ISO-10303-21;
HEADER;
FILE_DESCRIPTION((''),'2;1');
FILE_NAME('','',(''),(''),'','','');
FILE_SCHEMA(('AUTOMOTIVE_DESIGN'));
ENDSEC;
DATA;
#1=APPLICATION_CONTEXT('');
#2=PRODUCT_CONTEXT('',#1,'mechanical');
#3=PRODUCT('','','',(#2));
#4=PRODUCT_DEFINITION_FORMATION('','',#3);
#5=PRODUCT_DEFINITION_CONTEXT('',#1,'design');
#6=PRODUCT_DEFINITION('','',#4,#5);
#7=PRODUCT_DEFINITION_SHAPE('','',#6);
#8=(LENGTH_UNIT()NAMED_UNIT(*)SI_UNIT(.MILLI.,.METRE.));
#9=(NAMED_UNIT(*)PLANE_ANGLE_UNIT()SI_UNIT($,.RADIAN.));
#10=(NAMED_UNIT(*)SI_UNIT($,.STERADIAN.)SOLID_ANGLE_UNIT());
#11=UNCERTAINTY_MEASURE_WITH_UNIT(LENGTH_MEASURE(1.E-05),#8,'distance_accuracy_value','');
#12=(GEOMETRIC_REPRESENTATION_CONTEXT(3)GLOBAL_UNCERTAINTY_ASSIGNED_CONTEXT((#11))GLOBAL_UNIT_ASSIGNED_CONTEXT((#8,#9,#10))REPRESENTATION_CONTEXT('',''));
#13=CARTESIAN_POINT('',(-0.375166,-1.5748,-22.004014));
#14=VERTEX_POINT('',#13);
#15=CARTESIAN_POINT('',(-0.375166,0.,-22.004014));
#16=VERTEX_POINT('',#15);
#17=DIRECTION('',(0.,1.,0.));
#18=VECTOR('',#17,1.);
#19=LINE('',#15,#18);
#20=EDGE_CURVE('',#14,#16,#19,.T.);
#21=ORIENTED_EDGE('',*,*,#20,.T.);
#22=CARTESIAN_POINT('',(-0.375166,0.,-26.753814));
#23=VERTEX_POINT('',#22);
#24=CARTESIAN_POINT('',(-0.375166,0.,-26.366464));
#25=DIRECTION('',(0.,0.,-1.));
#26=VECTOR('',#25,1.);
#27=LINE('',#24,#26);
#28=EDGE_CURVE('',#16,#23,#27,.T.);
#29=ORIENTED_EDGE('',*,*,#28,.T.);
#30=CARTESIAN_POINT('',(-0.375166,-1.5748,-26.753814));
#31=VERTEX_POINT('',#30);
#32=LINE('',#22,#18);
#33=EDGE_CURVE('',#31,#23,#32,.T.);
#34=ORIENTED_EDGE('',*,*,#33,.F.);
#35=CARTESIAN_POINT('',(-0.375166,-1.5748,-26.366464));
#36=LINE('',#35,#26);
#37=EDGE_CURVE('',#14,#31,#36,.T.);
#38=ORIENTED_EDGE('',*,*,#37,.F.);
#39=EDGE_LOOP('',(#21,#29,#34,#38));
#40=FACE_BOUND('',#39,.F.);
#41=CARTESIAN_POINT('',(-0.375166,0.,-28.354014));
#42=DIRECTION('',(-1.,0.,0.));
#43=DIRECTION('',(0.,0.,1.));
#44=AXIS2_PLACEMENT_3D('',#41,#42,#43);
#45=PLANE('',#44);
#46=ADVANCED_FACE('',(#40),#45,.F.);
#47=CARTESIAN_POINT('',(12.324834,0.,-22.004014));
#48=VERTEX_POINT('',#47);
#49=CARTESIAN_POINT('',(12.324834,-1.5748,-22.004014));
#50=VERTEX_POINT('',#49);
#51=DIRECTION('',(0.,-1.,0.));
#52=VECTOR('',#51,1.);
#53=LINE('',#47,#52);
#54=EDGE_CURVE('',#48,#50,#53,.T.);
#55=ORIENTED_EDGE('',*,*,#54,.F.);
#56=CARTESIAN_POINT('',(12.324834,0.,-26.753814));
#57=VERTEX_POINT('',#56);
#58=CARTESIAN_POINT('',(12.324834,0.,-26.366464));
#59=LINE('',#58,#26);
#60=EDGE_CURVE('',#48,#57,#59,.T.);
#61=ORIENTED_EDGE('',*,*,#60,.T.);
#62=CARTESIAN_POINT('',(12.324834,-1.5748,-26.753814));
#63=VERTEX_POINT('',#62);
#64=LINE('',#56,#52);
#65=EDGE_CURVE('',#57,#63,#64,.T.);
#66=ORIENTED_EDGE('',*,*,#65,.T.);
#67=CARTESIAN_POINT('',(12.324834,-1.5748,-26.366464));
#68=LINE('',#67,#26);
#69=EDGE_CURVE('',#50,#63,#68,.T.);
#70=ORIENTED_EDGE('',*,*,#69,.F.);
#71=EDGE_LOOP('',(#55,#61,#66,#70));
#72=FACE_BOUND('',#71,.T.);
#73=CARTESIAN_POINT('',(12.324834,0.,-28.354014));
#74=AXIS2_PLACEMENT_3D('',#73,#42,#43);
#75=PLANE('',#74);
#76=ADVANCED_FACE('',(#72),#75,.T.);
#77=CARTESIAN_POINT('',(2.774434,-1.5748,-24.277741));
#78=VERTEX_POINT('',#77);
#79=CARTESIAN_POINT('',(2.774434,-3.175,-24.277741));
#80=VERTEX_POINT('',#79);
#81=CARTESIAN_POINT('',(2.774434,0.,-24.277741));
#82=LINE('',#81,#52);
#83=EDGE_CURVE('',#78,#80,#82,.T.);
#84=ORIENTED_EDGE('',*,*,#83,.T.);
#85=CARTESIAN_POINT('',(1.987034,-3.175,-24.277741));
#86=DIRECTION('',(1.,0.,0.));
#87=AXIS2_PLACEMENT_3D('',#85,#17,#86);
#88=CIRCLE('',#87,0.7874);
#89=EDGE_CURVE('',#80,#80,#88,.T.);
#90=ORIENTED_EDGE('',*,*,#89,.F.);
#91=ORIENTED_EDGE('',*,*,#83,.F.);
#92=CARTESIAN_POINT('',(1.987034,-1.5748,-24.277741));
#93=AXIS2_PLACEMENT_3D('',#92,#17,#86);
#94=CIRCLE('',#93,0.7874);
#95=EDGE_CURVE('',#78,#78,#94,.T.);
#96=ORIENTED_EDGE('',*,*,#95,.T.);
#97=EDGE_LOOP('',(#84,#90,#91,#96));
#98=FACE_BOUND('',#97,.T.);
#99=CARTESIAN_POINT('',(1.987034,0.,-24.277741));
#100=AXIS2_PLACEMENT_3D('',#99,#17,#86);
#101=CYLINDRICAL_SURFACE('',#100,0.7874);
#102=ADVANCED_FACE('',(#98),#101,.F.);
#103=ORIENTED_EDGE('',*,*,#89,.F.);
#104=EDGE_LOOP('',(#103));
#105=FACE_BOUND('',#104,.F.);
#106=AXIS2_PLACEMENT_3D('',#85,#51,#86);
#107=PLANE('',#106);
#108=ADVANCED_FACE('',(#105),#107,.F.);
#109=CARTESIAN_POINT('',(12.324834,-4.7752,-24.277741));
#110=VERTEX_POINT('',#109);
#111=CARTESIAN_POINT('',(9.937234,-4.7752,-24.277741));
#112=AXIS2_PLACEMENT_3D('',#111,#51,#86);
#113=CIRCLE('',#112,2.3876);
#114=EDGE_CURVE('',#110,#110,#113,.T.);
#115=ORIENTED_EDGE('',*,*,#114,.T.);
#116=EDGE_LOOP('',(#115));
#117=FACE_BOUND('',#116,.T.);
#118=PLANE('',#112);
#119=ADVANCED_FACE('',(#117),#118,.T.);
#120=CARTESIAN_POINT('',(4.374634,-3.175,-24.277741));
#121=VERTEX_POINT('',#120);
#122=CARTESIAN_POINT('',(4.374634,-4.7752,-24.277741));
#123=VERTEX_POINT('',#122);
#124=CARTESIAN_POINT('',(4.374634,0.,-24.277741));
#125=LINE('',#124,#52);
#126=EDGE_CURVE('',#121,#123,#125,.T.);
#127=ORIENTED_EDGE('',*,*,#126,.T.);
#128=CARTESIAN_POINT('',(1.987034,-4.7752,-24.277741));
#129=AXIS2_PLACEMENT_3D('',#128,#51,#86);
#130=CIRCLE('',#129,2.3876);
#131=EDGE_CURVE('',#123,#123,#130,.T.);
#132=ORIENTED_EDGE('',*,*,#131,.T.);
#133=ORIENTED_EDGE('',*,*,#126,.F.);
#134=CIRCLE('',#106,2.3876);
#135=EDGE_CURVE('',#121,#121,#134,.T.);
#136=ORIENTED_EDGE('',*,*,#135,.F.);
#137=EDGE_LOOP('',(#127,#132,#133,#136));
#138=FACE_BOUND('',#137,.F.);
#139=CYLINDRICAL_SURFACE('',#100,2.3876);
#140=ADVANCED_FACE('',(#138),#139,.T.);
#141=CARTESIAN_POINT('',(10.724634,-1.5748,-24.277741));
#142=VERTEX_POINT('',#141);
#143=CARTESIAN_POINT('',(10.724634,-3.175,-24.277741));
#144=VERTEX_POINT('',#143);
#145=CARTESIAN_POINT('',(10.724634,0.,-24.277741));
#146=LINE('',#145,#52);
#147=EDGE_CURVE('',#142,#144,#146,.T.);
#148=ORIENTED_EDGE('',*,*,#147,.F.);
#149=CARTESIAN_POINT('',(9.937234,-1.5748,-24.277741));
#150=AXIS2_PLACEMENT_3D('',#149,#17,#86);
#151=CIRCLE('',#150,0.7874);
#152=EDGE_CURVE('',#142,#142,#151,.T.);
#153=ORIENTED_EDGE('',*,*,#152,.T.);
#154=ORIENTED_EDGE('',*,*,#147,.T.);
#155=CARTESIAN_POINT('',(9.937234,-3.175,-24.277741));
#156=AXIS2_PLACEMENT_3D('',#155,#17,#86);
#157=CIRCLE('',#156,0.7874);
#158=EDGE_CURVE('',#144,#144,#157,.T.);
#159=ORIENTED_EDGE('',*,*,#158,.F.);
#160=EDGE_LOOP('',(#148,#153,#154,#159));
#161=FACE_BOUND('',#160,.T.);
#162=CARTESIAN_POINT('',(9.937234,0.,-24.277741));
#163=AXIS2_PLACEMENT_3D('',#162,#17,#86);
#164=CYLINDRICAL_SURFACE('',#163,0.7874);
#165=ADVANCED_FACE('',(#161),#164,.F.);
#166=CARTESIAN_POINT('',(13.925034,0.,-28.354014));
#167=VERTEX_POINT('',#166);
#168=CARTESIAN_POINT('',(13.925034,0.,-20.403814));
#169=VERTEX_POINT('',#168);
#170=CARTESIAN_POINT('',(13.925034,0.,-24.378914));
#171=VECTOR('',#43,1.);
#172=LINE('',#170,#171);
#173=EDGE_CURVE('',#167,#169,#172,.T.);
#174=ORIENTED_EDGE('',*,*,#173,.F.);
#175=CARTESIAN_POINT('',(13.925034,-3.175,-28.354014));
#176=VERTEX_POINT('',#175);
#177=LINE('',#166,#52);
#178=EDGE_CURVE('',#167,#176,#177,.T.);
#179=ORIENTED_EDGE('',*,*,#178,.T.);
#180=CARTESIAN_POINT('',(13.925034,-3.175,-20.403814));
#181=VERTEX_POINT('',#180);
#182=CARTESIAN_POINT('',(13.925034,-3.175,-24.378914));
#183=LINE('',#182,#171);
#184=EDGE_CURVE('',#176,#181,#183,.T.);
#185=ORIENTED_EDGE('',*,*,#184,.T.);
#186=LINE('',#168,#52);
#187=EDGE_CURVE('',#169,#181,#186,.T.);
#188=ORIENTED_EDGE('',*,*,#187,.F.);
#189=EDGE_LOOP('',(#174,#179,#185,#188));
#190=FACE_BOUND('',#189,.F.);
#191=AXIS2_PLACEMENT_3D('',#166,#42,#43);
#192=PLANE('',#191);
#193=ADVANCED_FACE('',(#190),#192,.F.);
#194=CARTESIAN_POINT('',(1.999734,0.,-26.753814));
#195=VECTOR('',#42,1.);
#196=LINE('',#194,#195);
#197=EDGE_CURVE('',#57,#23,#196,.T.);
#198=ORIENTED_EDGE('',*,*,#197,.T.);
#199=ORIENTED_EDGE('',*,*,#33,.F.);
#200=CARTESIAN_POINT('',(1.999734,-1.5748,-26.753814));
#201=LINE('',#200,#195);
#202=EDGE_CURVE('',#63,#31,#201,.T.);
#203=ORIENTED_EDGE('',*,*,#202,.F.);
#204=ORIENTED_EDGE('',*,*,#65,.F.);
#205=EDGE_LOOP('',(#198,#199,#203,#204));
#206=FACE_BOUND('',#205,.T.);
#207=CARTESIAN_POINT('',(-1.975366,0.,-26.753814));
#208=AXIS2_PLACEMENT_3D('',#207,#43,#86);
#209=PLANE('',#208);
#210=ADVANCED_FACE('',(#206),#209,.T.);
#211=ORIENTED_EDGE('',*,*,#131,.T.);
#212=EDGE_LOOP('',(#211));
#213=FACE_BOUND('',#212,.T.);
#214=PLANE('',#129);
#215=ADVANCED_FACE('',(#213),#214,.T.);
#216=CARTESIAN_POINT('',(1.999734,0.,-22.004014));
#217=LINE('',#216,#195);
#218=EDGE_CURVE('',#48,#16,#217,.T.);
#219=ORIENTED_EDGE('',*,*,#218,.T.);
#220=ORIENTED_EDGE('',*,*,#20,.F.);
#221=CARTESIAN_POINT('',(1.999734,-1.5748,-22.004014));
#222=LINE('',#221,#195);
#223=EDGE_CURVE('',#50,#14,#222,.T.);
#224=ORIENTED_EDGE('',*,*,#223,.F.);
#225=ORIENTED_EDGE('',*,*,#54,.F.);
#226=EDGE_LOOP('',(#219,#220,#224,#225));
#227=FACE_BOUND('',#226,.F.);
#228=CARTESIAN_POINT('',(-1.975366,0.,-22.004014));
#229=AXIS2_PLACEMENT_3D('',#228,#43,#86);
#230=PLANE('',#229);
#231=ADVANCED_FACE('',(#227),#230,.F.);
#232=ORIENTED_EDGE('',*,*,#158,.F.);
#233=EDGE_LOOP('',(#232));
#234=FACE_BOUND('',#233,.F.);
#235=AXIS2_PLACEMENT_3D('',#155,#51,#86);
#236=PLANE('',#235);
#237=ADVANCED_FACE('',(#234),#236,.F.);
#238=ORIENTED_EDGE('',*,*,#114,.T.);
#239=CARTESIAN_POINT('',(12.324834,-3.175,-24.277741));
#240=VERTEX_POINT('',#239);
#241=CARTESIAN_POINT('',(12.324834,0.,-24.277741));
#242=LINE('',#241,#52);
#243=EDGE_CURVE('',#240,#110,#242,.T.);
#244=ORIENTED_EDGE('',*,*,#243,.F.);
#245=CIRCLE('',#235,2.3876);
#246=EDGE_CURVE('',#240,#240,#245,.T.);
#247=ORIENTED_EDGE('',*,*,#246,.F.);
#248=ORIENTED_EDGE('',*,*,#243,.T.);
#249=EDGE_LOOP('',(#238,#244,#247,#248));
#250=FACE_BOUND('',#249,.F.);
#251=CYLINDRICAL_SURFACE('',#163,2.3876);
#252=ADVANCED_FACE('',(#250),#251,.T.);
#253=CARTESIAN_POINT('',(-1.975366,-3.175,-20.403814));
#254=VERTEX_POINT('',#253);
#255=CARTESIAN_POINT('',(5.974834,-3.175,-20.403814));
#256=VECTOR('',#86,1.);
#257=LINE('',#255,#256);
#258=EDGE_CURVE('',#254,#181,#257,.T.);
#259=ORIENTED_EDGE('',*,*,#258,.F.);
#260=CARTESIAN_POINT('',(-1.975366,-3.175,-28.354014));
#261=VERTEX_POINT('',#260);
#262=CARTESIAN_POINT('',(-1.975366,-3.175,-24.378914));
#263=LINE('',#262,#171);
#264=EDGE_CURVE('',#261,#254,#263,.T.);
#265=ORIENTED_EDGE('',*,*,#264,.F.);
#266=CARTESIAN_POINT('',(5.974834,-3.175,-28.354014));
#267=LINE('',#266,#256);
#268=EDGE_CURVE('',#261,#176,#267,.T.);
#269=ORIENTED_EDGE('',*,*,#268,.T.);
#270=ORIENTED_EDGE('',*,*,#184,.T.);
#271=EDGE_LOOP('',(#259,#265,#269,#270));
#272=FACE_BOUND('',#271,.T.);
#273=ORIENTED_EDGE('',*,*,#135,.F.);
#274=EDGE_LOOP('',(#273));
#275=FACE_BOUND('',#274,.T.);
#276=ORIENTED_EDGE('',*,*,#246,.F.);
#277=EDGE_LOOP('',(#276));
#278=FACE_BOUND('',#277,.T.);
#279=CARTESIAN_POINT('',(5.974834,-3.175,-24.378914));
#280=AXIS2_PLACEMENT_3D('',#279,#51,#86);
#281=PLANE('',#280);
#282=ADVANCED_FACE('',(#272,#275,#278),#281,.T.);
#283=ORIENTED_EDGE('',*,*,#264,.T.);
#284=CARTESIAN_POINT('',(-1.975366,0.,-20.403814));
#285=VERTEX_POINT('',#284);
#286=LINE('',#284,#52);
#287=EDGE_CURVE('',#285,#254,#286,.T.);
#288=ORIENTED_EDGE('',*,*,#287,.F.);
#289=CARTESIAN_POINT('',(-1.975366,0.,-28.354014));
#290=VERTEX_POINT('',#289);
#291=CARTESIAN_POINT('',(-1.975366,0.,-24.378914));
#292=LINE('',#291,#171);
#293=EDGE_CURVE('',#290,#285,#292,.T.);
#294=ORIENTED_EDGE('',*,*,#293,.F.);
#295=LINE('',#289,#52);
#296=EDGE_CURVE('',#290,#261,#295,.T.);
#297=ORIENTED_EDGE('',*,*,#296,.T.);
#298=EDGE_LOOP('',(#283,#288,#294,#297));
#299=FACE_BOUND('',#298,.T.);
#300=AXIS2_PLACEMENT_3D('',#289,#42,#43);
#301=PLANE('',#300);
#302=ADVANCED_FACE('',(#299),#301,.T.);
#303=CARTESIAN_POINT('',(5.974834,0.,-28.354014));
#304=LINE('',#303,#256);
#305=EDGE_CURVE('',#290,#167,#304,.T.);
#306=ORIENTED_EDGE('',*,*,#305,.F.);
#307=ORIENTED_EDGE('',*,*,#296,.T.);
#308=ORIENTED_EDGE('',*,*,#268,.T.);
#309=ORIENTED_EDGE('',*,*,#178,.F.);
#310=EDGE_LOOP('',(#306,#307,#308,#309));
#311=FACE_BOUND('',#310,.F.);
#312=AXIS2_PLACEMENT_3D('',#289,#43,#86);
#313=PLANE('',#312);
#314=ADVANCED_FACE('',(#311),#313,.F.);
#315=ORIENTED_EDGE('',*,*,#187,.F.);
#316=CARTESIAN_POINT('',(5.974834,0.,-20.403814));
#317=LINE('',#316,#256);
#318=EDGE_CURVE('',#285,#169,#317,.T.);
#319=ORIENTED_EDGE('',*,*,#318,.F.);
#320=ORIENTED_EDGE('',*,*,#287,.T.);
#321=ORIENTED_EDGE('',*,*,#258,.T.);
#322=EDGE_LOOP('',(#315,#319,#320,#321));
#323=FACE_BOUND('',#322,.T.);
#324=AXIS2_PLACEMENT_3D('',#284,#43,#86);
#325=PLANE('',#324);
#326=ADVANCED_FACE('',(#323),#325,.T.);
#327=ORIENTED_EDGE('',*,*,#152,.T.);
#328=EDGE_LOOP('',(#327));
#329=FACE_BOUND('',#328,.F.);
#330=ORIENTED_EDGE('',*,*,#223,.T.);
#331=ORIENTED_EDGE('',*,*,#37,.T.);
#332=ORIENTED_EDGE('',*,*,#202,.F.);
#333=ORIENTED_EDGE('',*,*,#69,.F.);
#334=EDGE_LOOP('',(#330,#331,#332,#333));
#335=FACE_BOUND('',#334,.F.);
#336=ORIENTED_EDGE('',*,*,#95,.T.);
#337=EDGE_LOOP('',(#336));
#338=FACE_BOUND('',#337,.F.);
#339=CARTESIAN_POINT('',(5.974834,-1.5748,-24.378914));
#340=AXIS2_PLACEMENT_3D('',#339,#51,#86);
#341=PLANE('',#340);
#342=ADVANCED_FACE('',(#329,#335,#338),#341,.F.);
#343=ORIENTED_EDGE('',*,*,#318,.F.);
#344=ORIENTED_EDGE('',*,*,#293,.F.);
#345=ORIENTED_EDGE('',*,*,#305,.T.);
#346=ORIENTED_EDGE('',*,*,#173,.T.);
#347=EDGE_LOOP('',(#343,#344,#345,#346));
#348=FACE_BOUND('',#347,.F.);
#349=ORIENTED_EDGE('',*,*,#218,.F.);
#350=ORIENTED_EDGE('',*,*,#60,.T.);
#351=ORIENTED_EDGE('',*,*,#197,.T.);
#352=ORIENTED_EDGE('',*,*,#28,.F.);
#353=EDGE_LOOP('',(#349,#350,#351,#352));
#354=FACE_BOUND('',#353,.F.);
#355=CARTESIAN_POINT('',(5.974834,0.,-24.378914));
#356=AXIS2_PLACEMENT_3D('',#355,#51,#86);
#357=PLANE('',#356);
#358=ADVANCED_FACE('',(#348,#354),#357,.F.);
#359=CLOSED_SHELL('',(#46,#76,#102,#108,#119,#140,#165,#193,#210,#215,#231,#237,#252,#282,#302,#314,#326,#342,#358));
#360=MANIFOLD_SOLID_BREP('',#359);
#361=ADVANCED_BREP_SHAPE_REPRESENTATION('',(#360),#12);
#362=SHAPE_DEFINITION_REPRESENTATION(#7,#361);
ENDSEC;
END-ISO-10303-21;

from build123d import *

# Parameters (mm, degrees)
F0_W     = 15.9004
F0_H     = 7.9502
F0_R     = 2.3876
F1_DEPTH = 3.175
F2_DEPTH = 4.7752
F3_T     = -1.6002


with BuildPart() as f1:
    # F0 (on Front) → F1 (new body)
    with BuildSketch(Plane.XZ):
        with Locations((5.9748339464, -24.3789141532)):
            Rectangle(F0_W, F0_H)
        with Locations((1.9870339464, -24.2777410895)):
            Circle(F0_R, mode=Mode.SUBTRACT)
        with Locations((9.9372339464, -24.2777410895)):
            Circle(F0_R, mode=Mode.SUBTRACT)
    extrude(amount=F1_DEPTH)

    # F0 (on Front) → F2 (join)
    with BuildSketch(Plane.XZ):
        with Locations((1.9870339464, -24.2777410895)):
            Circle(F0_R)
        with Locations((9.9372339464, -24.2777410895)):
            Circle(F0_R)
    extrude(amount=F2_DEPTH)

    # F3
    f3_openings = [f1.faces().sort_by_distance(p)[0] for p in [
        (5.974834, 0, -24.378914),
    ]]
    offset(amount=F3_T, openings=f3_openings, kind=Kind.INTERSECTION)


solid = f1.part
